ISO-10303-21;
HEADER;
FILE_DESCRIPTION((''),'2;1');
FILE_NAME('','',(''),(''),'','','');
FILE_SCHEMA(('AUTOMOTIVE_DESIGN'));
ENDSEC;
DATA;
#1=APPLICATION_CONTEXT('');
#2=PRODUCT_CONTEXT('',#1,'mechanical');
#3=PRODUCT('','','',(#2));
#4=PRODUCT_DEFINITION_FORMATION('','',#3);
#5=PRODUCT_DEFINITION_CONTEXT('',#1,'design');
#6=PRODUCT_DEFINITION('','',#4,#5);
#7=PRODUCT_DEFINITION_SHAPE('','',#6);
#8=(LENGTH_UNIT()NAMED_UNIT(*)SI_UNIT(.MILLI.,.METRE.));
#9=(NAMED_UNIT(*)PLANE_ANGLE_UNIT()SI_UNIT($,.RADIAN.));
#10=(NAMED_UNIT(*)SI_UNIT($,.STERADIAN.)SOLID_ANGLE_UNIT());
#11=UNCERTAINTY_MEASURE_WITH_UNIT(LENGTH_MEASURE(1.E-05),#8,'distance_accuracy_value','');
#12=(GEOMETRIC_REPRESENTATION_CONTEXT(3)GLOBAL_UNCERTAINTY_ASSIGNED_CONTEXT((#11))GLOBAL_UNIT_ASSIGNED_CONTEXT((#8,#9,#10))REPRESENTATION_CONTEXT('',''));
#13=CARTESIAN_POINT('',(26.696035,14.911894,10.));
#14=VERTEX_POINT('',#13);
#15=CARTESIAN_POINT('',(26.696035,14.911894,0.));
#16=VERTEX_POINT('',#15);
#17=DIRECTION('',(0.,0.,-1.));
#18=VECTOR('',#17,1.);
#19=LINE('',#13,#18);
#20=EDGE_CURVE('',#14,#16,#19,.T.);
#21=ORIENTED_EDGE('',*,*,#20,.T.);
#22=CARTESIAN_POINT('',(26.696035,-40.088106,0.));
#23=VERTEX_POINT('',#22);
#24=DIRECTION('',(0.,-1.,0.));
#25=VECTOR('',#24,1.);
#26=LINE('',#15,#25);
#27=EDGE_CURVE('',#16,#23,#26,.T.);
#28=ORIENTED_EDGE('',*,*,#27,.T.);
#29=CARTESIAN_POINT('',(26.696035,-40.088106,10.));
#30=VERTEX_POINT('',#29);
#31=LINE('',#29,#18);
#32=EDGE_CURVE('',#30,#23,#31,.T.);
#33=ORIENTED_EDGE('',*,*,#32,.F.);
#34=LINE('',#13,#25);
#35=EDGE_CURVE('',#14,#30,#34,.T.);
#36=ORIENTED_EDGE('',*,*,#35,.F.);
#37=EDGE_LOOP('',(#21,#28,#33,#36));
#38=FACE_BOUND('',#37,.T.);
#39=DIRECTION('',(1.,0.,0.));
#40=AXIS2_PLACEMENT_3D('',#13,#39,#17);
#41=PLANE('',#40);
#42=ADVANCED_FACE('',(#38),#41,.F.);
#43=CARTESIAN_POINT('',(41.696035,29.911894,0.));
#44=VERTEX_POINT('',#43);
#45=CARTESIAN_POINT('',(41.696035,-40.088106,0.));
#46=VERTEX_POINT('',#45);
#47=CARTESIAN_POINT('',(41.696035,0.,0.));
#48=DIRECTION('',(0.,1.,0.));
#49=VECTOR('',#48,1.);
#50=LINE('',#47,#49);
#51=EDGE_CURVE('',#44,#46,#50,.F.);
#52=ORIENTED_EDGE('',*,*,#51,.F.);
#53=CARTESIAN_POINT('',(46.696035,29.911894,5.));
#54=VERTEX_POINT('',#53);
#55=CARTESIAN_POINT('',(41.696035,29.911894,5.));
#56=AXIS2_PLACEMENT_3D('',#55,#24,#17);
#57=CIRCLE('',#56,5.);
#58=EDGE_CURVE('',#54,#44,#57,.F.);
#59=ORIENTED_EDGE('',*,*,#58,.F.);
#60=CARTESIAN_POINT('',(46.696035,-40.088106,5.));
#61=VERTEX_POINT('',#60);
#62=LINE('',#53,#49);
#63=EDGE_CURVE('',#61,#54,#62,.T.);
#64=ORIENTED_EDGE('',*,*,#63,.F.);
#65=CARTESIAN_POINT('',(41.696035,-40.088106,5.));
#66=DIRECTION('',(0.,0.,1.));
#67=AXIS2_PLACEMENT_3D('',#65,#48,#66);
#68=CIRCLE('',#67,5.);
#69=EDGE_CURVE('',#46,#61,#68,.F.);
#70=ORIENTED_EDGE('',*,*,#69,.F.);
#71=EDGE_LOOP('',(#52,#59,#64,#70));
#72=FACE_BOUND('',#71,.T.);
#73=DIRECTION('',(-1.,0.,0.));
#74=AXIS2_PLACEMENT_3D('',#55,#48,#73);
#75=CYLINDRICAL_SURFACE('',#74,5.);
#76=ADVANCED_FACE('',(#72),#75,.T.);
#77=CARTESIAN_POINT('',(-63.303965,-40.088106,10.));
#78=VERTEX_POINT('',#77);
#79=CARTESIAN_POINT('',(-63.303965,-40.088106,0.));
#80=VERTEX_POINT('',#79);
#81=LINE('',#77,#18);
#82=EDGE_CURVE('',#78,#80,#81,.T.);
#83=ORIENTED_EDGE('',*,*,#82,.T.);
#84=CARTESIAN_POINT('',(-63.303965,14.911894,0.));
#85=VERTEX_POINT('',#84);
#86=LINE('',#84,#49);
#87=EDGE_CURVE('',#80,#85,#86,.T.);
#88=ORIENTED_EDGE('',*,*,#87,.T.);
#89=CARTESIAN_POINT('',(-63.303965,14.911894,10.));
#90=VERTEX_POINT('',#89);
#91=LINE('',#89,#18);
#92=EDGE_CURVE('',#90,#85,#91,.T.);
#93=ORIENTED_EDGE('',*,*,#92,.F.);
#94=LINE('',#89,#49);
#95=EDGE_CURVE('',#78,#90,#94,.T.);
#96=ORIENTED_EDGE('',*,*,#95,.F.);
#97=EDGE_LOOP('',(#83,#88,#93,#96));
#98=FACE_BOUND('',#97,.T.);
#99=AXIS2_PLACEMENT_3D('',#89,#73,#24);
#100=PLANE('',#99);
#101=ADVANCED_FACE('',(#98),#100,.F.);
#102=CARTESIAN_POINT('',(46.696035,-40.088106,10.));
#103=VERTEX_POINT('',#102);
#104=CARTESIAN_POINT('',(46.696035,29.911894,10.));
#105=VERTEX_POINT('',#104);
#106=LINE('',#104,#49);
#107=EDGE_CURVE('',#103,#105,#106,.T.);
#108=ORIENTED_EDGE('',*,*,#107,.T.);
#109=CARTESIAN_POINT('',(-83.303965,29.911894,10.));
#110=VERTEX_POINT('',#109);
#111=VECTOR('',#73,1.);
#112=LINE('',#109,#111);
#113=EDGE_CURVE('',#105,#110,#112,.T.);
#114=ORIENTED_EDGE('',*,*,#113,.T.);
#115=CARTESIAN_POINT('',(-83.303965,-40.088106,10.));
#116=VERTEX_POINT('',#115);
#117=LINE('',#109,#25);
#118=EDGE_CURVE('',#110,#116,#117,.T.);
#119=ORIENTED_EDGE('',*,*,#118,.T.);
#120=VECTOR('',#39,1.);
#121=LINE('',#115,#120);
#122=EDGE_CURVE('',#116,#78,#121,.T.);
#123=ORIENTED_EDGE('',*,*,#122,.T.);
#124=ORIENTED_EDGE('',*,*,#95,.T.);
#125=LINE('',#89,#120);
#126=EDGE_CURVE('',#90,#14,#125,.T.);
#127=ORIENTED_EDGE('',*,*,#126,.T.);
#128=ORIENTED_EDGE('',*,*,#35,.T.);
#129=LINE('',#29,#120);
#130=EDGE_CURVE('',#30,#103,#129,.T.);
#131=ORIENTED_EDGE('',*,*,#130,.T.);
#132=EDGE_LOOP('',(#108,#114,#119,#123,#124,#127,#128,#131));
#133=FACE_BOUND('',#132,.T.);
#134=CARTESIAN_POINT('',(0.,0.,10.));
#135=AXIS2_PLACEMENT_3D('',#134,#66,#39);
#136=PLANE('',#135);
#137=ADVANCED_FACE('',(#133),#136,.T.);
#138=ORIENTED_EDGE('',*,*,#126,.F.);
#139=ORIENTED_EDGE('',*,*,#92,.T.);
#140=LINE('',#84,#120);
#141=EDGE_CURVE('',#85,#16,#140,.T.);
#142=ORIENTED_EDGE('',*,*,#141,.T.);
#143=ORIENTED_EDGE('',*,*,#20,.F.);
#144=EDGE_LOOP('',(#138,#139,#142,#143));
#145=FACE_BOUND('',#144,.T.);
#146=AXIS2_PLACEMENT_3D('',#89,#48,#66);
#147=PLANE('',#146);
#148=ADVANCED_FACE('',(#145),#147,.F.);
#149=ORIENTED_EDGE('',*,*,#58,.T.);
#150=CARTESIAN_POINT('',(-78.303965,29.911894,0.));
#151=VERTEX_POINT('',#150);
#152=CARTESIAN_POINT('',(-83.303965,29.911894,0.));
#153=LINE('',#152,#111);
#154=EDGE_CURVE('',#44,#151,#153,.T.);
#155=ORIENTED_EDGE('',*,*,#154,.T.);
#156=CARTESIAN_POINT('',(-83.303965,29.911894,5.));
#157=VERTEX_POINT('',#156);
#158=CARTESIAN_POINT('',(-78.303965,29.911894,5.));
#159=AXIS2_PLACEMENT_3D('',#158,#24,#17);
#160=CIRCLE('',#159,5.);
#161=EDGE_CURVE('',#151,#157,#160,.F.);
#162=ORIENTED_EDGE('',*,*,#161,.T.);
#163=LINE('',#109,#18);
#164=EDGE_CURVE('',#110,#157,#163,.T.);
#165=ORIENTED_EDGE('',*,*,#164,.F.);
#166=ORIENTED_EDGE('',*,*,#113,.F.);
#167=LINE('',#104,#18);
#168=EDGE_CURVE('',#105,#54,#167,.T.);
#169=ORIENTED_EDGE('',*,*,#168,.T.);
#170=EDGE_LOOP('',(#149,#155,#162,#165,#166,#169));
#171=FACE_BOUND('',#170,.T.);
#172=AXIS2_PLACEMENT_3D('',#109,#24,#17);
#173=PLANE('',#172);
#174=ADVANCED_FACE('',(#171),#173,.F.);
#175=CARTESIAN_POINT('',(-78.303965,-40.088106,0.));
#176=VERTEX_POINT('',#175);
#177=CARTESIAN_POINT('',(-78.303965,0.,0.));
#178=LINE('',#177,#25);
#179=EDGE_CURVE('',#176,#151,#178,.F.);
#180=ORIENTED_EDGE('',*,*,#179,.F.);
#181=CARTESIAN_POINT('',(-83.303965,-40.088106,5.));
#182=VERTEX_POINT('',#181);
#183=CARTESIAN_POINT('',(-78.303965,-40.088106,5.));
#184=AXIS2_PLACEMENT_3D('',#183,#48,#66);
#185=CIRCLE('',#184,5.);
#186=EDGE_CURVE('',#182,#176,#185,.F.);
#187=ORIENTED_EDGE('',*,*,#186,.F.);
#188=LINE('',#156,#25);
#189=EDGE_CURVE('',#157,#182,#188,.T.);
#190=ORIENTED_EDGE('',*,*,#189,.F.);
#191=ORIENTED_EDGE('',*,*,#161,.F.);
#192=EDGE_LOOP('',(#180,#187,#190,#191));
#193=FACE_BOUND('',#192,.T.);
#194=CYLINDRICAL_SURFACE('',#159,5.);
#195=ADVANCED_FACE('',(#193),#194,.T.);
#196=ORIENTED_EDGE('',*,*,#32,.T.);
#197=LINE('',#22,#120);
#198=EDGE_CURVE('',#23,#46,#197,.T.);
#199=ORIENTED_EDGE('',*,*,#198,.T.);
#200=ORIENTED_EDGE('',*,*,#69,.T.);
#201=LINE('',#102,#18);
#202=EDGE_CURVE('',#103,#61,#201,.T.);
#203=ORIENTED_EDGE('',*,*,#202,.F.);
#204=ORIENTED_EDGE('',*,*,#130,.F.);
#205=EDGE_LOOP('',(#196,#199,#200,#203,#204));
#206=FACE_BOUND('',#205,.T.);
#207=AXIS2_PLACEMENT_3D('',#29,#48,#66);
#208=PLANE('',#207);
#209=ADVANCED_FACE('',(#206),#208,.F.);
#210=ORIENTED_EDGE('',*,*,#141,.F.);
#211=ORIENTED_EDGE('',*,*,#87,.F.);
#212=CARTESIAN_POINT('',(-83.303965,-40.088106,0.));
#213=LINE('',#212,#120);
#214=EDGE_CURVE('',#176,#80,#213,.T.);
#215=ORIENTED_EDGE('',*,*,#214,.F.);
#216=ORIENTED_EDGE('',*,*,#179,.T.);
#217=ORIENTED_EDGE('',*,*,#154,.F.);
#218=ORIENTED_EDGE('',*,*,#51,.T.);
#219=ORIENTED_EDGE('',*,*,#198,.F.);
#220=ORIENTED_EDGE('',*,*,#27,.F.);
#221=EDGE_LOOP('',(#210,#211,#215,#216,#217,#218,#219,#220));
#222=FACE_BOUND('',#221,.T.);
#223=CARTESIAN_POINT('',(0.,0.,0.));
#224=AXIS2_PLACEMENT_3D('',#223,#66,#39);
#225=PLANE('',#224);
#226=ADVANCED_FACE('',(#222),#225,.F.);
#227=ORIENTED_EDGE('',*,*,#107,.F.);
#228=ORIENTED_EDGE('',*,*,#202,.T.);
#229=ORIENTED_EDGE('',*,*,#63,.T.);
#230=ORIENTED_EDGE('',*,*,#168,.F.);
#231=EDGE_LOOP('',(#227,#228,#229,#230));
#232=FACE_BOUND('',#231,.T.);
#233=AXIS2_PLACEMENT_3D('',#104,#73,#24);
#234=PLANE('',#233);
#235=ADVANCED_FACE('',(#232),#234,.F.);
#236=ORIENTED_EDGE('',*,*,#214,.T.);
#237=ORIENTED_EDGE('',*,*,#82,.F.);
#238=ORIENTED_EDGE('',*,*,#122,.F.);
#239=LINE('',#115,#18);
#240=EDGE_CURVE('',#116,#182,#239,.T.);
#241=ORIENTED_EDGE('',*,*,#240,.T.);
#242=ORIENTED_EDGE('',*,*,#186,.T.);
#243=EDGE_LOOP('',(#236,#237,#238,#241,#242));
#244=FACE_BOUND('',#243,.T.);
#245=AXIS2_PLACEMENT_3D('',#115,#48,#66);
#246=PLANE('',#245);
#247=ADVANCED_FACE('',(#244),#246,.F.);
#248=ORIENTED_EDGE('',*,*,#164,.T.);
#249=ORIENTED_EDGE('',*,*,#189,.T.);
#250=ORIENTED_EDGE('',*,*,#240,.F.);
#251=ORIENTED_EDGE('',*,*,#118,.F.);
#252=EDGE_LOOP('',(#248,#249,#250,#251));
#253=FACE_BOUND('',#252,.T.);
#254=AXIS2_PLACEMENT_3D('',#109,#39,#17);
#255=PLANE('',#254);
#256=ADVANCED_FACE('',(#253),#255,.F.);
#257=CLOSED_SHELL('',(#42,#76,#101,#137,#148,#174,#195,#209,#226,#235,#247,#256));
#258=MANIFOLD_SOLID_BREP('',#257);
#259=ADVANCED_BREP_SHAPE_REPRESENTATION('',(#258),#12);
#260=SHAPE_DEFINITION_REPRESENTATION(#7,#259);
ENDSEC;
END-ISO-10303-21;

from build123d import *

# Parameters (mm, degrees)
BOSS_EXTRU_1_DEPTH = 10
CONG_2_R           = 5


with BuildPart() as part:
    # Esquisse1 → Boss.-Extru.1 (new body)
    with BuildSketch(Plane.XY):
        Polygon((-83.303964758, 29.911894273), (46.696035242, 29.911894273), (46.696035242, -40.088105727), (26.696035242, -40.088105727), (26.696035242, 14.911894273), (-63.303964758, 14.911894273), (-63.303964758, -40.088105727), (-83.303964758, -40.088105727), align=None)
    extrude(amount=BOSS_EXTRU_1_DEPTH)

    # Congé2
    cong_2_edges = [part.edges().sort_by_distance(p)[0] for p in [
        (-83.303964758, -5.088105727, 0),
        (46.696035242, -5.088105727, 0),
    ]]
    fillet(cong_2_edges, radius=CONG_2_R)


solid = part.part
